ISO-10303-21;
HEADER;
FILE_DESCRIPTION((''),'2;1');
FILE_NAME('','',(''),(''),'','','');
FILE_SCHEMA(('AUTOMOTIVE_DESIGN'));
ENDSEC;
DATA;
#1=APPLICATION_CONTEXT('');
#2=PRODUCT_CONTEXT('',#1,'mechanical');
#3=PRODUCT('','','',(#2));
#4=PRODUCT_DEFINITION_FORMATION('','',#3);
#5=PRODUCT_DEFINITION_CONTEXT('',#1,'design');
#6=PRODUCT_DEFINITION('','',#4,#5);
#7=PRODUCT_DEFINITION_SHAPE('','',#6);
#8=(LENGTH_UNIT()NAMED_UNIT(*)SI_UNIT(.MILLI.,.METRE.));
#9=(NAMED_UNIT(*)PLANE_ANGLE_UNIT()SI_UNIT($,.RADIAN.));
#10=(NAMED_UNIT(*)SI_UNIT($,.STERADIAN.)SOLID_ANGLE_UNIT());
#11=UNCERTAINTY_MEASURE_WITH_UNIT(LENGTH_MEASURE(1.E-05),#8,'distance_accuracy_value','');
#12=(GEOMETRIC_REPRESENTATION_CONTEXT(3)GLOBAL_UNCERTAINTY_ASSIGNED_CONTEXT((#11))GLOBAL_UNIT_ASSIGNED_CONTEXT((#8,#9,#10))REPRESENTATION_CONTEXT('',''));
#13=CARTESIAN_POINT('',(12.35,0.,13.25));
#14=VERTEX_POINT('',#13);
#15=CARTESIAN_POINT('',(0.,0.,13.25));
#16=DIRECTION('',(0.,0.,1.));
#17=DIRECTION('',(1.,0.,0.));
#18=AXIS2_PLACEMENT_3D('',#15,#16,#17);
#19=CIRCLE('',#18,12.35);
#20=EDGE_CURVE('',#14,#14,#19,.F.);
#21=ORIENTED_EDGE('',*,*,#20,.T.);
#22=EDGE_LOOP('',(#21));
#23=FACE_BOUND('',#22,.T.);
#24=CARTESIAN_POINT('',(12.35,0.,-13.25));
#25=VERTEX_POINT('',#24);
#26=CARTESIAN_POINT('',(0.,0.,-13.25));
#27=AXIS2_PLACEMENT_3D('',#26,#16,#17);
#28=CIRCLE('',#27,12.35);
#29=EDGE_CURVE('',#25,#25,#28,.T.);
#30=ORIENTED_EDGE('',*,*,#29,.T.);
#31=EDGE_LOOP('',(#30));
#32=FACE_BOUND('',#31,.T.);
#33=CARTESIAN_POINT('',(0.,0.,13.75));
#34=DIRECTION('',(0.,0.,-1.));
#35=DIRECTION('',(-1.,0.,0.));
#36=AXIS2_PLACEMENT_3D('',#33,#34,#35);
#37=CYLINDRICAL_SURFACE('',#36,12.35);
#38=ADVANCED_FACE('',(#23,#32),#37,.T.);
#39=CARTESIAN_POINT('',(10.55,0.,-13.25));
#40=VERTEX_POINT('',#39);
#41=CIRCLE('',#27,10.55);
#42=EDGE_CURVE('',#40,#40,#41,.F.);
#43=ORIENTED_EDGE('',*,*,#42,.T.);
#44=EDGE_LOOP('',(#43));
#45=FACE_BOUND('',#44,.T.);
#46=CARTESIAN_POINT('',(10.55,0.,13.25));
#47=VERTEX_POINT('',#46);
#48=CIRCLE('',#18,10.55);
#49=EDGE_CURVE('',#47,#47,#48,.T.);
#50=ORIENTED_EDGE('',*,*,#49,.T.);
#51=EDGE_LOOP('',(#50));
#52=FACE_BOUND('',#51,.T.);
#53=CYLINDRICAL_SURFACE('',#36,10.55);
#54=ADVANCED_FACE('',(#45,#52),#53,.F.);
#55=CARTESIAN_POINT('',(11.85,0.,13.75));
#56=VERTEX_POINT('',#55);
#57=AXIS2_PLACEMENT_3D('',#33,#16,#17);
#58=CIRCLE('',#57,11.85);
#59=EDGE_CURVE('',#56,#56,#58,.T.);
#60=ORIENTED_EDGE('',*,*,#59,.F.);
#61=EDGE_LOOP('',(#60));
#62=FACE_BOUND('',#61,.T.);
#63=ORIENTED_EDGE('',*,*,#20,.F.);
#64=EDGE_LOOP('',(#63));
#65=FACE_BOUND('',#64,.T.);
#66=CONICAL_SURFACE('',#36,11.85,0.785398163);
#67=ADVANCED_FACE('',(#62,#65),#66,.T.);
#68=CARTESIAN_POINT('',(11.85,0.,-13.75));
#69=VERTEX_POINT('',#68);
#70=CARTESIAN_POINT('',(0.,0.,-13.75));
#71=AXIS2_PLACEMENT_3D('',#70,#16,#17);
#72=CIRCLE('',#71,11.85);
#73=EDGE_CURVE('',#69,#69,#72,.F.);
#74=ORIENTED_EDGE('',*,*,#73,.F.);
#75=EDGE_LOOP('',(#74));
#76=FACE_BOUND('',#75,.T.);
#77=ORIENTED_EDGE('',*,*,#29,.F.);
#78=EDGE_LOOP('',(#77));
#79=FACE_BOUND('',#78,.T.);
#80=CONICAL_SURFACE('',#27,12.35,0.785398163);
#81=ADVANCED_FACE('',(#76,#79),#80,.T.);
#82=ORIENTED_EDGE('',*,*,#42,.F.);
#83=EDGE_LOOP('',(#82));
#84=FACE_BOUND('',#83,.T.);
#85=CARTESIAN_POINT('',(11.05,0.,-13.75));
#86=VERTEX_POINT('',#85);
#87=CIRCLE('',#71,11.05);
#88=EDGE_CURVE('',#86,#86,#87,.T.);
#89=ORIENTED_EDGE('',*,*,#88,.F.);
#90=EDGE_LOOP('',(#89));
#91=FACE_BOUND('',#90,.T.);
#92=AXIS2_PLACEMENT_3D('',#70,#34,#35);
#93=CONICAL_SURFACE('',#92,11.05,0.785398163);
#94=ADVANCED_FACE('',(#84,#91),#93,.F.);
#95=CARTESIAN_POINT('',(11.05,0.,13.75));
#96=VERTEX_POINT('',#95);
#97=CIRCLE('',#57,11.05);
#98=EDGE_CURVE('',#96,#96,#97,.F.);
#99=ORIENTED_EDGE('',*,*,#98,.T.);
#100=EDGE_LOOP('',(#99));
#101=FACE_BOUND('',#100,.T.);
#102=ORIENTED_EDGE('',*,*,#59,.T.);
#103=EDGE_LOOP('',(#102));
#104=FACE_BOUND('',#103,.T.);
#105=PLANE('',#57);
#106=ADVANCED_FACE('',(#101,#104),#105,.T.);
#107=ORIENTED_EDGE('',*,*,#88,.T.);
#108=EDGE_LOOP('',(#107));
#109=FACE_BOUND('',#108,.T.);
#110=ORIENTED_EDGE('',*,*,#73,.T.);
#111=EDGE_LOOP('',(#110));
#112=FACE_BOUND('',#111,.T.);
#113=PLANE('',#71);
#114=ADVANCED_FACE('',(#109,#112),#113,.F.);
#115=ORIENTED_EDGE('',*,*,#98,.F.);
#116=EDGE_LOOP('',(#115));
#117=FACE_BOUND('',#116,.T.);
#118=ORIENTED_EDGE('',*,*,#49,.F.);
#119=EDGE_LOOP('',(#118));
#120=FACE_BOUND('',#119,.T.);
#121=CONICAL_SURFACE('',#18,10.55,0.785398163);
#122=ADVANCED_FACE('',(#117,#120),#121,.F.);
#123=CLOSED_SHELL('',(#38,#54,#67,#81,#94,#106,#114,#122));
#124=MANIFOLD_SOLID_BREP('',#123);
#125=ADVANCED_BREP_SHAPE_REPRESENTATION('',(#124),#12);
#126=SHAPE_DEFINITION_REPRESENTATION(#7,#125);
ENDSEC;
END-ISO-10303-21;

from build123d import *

# Parameters (mm, degrees)
SKIZZE1_R                       = 12.35
SKIZZE1_R_2                     = 10.55
AUFSATZ_LINEAR_AUSTRAGEN1_DEPTH = 13.75
FASE1_SIZE                      = 0.5


with BuildPart() as part:
    # Skizze1 → Aufsatz-Linear austragen1 (new, symmetric)
    with BuildSketch(Plane.XY):
        Circle(SKIZZE1_R)
        Circle(SKIZZE1_R_2, mode=Mode.SUBTRACT)
    extrude(amount=AUFSATZ_LINEAR_AUSTRAGEN1_DEPTH, both=True)

    # Fase1
    fase1_edges = [part.edges().sort_by_distance(p)[0] for p in [
        (-12.35, 0, -13.75),
        (-12.35, 0, 13.75),
        (-10.55, 0, -13.75),
        (-10.55, 0, 13.75),
    ]]
    chamfer(fase1_edges, length=FASE1_SIZE)


solid = part.part
